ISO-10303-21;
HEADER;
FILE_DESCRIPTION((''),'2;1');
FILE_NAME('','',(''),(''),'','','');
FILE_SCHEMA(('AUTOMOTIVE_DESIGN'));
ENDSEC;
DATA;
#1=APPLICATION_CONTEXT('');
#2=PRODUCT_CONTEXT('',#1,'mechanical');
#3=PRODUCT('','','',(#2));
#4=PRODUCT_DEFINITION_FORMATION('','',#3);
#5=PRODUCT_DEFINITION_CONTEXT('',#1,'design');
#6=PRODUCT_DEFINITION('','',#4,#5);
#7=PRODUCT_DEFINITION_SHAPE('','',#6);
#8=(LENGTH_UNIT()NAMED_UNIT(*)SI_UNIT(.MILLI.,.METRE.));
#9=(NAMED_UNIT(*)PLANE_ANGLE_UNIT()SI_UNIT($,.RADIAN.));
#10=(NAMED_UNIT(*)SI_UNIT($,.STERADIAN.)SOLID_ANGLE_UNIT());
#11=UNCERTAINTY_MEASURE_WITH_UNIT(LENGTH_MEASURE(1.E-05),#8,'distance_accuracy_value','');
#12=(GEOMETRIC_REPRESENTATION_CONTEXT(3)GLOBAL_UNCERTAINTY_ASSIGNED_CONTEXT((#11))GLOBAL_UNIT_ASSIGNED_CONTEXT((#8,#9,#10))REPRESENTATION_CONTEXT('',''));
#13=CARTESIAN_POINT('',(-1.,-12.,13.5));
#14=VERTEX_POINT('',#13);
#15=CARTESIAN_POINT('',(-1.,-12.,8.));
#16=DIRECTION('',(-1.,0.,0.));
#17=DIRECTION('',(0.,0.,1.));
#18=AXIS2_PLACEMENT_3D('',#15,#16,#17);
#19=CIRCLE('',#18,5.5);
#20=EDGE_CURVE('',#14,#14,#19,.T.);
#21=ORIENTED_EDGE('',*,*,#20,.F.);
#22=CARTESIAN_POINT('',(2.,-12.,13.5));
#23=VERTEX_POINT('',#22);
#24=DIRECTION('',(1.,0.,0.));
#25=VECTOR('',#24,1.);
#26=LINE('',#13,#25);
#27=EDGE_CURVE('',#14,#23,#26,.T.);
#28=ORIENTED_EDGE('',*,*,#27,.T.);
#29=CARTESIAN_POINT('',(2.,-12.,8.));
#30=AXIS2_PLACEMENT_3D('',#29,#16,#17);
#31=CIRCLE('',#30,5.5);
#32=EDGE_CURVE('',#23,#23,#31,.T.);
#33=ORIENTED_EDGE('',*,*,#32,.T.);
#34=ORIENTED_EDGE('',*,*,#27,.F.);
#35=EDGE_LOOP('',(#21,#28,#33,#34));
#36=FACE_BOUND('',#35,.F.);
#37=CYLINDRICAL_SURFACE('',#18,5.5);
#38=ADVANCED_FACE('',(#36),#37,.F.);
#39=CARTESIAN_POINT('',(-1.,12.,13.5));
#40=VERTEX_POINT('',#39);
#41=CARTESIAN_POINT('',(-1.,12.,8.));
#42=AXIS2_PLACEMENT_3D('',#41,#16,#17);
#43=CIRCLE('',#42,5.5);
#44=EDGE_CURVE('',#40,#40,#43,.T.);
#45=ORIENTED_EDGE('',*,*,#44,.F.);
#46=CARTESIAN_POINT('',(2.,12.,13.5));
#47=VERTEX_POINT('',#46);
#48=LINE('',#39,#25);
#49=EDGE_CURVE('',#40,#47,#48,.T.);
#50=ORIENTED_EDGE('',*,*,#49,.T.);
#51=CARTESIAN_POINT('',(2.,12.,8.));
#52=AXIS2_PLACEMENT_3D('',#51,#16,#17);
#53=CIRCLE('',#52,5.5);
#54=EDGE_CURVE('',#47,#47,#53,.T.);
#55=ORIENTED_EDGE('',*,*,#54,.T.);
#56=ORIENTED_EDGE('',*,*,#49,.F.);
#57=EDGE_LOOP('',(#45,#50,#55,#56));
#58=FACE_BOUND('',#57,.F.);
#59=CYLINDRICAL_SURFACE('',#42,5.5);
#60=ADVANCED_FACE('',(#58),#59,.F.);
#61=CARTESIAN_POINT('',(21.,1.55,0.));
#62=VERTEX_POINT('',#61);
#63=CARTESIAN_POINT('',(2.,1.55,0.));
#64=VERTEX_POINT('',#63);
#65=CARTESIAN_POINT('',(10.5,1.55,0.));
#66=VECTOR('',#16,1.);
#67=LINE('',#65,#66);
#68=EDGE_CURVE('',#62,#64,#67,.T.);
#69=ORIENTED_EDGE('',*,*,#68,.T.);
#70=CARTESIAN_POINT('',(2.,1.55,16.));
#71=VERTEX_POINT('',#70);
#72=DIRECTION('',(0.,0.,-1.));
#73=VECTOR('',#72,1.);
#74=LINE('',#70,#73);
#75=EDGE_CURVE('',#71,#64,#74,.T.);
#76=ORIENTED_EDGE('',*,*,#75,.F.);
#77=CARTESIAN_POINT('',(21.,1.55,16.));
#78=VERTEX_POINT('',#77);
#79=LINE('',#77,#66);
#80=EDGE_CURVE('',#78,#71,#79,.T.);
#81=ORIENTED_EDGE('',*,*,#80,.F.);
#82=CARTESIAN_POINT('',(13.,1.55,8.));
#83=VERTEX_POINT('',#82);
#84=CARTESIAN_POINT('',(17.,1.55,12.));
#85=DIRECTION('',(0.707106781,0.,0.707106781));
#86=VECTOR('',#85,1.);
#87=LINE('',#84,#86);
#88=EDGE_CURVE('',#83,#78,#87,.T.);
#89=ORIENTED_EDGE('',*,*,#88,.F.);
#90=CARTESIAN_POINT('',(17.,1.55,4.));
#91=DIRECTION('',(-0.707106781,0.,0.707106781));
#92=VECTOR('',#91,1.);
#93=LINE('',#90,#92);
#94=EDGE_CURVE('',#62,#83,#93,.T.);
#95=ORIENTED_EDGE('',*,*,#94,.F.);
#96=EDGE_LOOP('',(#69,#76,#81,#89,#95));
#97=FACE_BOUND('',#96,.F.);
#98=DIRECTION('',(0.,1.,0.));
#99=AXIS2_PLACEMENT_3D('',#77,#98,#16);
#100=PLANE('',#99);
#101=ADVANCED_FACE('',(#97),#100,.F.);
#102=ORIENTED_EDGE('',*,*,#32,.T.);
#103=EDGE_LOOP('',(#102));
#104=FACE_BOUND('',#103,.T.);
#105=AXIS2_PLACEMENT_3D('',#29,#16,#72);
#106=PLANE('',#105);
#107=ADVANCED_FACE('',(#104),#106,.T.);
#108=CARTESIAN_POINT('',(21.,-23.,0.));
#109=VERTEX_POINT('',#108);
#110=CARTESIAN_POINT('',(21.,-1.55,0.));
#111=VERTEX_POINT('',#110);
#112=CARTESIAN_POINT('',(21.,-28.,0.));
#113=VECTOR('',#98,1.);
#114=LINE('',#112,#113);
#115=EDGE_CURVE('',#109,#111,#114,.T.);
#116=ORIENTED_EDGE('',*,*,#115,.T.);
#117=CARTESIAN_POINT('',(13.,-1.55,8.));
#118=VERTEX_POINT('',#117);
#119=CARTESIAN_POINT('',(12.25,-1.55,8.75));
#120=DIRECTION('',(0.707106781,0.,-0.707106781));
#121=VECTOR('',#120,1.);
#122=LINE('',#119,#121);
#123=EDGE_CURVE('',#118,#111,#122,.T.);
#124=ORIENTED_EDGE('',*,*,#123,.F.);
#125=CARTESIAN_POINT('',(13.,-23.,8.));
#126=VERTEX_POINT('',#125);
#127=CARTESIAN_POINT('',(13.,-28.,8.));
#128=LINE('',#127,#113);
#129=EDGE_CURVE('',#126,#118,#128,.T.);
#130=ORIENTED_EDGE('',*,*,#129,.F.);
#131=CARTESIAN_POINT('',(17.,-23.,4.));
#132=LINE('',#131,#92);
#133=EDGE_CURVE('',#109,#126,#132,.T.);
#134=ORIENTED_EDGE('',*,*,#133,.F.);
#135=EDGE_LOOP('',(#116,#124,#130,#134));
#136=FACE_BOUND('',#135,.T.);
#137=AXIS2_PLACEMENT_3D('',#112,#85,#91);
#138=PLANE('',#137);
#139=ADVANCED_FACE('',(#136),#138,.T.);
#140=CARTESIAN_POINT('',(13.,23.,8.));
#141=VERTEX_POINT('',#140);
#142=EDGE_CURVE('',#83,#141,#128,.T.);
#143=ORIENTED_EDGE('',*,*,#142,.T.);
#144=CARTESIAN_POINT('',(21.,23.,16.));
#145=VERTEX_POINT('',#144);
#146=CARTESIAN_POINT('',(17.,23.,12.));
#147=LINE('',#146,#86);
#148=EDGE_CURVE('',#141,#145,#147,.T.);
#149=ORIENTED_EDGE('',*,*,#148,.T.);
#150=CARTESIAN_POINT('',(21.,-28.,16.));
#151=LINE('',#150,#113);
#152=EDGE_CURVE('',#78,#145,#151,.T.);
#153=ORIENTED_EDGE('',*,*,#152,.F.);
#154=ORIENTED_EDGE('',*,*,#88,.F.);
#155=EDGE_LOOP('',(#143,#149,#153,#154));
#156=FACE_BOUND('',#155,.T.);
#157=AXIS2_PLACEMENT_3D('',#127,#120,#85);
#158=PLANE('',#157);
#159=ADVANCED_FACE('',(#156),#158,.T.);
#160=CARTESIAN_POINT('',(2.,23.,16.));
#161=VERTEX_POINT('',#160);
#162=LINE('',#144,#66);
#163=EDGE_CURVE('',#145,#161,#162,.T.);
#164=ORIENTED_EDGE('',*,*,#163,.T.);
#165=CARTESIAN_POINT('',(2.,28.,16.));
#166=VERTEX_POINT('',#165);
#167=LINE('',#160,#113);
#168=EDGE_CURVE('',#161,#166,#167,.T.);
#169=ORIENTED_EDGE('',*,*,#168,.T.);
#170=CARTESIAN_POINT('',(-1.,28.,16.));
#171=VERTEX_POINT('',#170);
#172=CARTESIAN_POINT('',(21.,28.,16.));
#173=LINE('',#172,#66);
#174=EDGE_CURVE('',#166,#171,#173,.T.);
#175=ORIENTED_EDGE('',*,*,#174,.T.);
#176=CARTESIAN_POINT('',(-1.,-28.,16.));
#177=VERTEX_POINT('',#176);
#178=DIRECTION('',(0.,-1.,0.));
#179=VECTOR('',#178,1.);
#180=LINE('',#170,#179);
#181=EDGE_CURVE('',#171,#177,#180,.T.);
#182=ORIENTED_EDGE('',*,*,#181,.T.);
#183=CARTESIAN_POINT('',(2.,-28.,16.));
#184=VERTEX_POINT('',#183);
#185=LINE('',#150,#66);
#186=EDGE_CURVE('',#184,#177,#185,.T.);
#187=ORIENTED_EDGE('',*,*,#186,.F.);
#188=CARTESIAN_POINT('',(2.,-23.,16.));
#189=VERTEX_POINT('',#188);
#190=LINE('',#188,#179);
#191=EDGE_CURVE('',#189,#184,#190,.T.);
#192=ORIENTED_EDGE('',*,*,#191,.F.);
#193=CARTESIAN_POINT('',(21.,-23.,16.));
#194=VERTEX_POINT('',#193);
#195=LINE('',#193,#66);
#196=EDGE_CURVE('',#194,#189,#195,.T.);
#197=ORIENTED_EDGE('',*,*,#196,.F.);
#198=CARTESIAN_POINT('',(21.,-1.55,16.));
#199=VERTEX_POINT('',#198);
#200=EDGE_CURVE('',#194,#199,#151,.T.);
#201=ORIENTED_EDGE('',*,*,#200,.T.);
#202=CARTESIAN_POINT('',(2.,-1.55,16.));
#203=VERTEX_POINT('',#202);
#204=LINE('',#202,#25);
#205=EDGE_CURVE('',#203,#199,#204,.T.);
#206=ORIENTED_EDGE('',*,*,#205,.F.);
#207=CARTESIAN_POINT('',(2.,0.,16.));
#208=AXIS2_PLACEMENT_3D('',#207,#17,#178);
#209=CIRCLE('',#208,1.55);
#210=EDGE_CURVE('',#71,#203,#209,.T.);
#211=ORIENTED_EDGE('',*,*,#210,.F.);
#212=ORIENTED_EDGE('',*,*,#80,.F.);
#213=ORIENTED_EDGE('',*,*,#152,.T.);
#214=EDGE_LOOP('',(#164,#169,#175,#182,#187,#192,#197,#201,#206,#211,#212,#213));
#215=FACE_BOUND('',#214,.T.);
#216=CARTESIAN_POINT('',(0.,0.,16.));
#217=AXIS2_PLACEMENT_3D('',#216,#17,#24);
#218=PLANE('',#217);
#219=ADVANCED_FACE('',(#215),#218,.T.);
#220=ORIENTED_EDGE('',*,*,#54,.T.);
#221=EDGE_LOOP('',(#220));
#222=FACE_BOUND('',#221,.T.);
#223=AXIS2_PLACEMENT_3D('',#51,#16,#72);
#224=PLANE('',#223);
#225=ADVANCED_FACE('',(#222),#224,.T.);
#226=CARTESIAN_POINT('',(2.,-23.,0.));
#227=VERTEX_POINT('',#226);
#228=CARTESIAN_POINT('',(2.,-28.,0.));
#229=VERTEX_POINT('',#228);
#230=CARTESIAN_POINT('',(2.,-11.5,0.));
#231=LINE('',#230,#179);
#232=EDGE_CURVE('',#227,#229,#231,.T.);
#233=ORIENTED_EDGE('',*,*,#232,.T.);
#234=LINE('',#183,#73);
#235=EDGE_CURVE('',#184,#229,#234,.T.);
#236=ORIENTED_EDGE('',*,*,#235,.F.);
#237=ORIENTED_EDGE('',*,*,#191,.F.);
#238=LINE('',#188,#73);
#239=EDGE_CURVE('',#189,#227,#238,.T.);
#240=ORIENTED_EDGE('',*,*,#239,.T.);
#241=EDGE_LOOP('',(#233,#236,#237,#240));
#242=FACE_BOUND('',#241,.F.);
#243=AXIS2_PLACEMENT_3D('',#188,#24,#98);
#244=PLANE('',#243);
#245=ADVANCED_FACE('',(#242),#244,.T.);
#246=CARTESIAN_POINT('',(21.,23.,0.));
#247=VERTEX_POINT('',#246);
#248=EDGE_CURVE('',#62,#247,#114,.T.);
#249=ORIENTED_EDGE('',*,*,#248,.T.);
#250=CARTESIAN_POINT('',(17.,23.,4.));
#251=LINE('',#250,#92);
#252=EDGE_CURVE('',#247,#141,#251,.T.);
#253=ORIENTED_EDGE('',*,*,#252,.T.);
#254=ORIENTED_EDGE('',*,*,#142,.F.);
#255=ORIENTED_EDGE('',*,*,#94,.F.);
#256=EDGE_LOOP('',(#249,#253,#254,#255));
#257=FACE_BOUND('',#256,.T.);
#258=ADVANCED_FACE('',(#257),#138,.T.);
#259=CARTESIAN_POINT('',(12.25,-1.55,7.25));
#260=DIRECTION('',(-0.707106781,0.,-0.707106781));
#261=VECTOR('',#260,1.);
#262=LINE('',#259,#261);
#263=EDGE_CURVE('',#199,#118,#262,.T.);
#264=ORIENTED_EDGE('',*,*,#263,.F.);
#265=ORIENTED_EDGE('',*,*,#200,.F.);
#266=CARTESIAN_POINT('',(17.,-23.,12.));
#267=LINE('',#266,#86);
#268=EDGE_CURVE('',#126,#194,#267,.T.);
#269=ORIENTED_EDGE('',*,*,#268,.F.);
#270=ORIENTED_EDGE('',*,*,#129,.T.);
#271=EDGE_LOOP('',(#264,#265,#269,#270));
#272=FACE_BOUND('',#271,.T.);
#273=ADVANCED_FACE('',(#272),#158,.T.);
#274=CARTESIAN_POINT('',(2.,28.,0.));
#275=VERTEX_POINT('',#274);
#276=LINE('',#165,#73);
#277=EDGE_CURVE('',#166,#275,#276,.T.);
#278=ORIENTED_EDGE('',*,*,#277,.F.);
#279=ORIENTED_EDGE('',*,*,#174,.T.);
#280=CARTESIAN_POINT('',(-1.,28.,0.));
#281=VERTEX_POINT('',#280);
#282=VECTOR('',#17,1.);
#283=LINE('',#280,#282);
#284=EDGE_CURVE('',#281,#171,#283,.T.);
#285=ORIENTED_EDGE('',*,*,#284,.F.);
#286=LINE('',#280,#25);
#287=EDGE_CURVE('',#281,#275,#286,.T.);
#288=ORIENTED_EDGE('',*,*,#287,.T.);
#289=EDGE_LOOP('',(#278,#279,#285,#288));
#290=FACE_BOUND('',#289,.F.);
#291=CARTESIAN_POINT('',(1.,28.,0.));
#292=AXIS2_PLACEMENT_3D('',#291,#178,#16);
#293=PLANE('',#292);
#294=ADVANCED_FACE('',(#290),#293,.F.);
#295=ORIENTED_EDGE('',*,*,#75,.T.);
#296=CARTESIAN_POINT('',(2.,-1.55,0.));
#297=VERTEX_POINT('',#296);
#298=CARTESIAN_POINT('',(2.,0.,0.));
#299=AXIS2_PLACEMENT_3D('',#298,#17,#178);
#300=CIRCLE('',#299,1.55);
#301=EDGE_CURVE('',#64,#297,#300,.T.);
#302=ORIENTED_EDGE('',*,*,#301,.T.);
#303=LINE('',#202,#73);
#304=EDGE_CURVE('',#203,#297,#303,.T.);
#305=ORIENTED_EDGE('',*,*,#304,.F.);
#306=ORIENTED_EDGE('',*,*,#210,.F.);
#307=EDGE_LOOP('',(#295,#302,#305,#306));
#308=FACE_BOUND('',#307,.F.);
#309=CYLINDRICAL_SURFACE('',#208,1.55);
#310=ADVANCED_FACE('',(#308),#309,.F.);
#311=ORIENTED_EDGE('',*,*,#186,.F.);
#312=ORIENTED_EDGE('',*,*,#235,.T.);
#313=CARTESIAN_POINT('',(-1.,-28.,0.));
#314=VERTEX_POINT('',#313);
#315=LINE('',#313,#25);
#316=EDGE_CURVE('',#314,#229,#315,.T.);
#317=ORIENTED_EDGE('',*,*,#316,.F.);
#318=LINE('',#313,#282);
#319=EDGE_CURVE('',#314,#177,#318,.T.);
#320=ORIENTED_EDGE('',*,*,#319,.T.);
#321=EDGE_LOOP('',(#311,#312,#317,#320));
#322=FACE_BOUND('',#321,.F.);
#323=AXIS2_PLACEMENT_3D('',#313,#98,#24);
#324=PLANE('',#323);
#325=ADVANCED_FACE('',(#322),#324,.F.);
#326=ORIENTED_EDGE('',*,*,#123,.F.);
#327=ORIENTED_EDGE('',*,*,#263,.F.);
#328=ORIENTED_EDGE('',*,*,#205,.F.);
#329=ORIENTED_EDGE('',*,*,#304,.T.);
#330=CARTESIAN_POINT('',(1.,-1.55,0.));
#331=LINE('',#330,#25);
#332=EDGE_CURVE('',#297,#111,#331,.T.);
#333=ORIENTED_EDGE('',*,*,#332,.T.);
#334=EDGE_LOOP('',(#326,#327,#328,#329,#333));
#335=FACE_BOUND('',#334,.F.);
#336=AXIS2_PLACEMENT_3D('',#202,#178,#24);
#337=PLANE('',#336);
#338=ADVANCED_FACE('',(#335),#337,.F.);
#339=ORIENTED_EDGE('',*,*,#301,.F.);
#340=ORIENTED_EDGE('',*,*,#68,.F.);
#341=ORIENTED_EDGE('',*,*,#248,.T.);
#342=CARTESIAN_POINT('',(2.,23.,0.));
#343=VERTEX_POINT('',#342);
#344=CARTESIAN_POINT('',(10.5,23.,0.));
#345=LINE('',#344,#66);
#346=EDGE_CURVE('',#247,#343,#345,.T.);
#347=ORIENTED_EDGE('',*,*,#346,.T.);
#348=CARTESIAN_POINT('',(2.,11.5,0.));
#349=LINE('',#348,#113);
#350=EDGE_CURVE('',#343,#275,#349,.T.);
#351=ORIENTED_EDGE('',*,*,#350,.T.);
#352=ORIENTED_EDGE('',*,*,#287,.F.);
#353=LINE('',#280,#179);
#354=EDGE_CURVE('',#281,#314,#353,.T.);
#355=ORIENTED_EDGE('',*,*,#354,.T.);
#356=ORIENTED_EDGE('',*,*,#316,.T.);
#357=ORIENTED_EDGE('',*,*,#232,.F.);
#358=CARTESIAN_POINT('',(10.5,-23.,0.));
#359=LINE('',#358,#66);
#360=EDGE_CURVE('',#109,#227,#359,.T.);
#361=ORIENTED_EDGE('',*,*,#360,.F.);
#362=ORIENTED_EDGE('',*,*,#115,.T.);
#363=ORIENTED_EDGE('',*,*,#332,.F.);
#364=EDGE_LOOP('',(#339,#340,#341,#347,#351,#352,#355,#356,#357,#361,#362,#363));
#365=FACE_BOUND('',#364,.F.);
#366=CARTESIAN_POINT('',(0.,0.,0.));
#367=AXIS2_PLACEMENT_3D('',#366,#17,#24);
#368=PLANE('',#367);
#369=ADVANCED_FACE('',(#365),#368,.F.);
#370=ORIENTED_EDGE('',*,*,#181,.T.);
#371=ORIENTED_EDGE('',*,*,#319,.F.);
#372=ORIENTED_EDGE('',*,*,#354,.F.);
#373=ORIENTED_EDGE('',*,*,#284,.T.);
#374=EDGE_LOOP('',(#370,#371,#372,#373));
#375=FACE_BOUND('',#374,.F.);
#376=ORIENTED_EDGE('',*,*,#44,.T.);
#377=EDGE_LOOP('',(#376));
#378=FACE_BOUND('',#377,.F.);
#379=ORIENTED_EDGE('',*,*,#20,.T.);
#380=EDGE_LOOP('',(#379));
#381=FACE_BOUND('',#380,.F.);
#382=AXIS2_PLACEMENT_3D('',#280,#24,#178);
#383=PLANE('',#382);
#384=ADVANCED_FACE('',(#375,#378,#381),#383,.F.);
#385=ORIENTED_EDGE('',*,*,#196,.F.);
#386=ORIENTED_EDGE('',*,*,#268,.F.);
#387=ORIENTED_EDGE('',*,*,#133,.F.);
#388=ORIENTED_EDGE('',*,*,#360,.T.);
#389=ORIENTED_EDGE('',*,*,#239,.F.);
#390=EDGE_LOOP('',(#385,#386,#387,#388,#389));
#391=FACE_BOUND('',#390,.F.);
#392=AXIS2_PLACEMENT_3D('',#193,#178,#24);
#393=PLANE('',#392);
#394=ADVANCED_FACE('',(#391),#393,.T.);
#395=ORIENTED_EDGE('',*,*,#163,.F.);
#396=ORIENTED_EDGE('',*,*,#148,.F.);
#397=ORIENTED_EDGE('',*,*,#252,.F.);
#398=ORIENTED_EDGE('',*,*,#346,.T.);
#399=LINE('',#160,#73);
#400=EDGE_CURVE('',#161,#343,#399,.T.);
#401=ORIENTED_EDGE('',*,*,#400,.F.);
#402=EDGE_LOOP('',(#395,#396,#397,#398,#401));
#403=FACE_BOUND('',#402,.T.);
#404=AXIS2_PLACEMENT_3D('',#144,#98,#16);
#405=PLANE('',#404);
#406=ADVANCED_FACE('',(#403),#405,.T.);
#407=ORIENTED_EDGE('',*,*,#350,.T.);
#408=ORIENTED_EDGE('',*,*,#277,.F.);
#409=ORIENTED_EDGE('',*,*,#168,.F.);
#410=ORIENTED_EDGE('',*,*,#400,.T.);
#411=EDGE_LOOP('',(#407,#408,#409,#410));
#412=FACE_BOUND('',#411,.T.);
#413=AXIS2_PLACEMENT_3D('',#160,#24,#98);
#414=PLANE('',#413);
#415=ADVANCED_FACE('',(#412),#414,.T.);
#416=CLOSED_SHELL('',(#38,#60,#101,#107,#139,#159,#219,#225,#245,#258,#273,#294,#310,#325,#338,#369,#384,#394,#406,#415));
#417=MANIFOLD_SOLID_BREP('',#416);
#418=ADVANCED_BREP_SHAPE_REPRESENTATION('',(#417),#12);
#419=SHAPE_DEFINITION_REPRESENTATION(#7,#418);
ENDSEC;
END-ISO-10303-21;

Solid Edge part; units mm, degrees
sketch "Sketch1" plane through (0, 0, 0) normal (0, 0, 1) x (1, 0, 0)
  line L0 (-1, -28) -> (1, -28)
  line L1 (1, -28) -> (1, 28)
  line L2 (1, 28) -> (-1, 28)
  line L3 (-1, 28) -> (-1, -28)
  dimension "D1" = 56
  dimension "D2" = 2
extrude "Protrusion1" add sketch "Sketch1" along normal blind 16
sketch "Sketch2" plane through (0, -28, 8) normal (0, -1, 0) x (0, 0, 1)
  line L0 (-8, -1) -> (-8, -21)
  line L1 (-8, -21) -> (0, -13)
  line L2 (0, -13) -> (8, -21)
  line L3 (8, -21) -> (8, -1)
  dimension "D1" = 20
extrude "Protrusion2" add sketch "Sketch2" against normal up to vertex (56 mm away) material side at (11, -28, 0.05)
sketch "Sketch3" plane through (5, 0, 16) normal (0, 0, 1) x (0, -1, 0)
  line L0 (1.55, 16) -> (-1.55, 16)
  line L1 (-1.55, 16) -> (-1.55, -3)
  line L2 (-1.55, -3) -> (1.55, -3)
  line L3 (1.55, -3) -> (1.55, 16)
  dimension "D1" = 3
  dimension "D2" = 3.1
extrude "Cutout1" cut sketch "Sketch3" against normal through all
sketch "Sketch4" plane through (5, 0, 16) normal (0, 0, 1) x (0, -1, 0)
  line L0 (-28, 16) -> (-23, 16)
  line L1 (-23, 16) -> (-23, -3)
  line L2 (-23, -3) -> (-28, -3)
  line L3 (-28, -3) -> (-28, 16)
  dimension "D1" = 3
  dimension "D2" = 23
extrude "Cutout2" cut sketch "Sketch4" against normal through all
mirror "Mirror1" about plane through (0, 0, 0) normal (0, -1, 0) of "Cutout2"
sketch "Sketch5" plane through (5, 0, 16) normal (0, 0, 1) x (0, -1, 0)
  arc A0 (-1.55, -3) -> (1.55, -3) centre (0, -3) ccw
extrude "Cutout3" cut sketch "Sketch5" against normal through all material side at (0.5, 0, 16)
sketch "Sketch6" plane through (-1, 0, 8) normal (-1, 0, 0) x (0, 0, 1)
  circle A0 centre (0, 12) radius 5.5
  circle A1 centre (0, -12) radius 5.5
  dimension "D1" = 11
  dimension "D2" = 12
  dimension "D3" = 24
  dimension "D4" = 11
extrude "Extrusionsausschnitt_4" cut sketch "Sketch6" against normal blind 3
properties material "Nylon, allgemein"
